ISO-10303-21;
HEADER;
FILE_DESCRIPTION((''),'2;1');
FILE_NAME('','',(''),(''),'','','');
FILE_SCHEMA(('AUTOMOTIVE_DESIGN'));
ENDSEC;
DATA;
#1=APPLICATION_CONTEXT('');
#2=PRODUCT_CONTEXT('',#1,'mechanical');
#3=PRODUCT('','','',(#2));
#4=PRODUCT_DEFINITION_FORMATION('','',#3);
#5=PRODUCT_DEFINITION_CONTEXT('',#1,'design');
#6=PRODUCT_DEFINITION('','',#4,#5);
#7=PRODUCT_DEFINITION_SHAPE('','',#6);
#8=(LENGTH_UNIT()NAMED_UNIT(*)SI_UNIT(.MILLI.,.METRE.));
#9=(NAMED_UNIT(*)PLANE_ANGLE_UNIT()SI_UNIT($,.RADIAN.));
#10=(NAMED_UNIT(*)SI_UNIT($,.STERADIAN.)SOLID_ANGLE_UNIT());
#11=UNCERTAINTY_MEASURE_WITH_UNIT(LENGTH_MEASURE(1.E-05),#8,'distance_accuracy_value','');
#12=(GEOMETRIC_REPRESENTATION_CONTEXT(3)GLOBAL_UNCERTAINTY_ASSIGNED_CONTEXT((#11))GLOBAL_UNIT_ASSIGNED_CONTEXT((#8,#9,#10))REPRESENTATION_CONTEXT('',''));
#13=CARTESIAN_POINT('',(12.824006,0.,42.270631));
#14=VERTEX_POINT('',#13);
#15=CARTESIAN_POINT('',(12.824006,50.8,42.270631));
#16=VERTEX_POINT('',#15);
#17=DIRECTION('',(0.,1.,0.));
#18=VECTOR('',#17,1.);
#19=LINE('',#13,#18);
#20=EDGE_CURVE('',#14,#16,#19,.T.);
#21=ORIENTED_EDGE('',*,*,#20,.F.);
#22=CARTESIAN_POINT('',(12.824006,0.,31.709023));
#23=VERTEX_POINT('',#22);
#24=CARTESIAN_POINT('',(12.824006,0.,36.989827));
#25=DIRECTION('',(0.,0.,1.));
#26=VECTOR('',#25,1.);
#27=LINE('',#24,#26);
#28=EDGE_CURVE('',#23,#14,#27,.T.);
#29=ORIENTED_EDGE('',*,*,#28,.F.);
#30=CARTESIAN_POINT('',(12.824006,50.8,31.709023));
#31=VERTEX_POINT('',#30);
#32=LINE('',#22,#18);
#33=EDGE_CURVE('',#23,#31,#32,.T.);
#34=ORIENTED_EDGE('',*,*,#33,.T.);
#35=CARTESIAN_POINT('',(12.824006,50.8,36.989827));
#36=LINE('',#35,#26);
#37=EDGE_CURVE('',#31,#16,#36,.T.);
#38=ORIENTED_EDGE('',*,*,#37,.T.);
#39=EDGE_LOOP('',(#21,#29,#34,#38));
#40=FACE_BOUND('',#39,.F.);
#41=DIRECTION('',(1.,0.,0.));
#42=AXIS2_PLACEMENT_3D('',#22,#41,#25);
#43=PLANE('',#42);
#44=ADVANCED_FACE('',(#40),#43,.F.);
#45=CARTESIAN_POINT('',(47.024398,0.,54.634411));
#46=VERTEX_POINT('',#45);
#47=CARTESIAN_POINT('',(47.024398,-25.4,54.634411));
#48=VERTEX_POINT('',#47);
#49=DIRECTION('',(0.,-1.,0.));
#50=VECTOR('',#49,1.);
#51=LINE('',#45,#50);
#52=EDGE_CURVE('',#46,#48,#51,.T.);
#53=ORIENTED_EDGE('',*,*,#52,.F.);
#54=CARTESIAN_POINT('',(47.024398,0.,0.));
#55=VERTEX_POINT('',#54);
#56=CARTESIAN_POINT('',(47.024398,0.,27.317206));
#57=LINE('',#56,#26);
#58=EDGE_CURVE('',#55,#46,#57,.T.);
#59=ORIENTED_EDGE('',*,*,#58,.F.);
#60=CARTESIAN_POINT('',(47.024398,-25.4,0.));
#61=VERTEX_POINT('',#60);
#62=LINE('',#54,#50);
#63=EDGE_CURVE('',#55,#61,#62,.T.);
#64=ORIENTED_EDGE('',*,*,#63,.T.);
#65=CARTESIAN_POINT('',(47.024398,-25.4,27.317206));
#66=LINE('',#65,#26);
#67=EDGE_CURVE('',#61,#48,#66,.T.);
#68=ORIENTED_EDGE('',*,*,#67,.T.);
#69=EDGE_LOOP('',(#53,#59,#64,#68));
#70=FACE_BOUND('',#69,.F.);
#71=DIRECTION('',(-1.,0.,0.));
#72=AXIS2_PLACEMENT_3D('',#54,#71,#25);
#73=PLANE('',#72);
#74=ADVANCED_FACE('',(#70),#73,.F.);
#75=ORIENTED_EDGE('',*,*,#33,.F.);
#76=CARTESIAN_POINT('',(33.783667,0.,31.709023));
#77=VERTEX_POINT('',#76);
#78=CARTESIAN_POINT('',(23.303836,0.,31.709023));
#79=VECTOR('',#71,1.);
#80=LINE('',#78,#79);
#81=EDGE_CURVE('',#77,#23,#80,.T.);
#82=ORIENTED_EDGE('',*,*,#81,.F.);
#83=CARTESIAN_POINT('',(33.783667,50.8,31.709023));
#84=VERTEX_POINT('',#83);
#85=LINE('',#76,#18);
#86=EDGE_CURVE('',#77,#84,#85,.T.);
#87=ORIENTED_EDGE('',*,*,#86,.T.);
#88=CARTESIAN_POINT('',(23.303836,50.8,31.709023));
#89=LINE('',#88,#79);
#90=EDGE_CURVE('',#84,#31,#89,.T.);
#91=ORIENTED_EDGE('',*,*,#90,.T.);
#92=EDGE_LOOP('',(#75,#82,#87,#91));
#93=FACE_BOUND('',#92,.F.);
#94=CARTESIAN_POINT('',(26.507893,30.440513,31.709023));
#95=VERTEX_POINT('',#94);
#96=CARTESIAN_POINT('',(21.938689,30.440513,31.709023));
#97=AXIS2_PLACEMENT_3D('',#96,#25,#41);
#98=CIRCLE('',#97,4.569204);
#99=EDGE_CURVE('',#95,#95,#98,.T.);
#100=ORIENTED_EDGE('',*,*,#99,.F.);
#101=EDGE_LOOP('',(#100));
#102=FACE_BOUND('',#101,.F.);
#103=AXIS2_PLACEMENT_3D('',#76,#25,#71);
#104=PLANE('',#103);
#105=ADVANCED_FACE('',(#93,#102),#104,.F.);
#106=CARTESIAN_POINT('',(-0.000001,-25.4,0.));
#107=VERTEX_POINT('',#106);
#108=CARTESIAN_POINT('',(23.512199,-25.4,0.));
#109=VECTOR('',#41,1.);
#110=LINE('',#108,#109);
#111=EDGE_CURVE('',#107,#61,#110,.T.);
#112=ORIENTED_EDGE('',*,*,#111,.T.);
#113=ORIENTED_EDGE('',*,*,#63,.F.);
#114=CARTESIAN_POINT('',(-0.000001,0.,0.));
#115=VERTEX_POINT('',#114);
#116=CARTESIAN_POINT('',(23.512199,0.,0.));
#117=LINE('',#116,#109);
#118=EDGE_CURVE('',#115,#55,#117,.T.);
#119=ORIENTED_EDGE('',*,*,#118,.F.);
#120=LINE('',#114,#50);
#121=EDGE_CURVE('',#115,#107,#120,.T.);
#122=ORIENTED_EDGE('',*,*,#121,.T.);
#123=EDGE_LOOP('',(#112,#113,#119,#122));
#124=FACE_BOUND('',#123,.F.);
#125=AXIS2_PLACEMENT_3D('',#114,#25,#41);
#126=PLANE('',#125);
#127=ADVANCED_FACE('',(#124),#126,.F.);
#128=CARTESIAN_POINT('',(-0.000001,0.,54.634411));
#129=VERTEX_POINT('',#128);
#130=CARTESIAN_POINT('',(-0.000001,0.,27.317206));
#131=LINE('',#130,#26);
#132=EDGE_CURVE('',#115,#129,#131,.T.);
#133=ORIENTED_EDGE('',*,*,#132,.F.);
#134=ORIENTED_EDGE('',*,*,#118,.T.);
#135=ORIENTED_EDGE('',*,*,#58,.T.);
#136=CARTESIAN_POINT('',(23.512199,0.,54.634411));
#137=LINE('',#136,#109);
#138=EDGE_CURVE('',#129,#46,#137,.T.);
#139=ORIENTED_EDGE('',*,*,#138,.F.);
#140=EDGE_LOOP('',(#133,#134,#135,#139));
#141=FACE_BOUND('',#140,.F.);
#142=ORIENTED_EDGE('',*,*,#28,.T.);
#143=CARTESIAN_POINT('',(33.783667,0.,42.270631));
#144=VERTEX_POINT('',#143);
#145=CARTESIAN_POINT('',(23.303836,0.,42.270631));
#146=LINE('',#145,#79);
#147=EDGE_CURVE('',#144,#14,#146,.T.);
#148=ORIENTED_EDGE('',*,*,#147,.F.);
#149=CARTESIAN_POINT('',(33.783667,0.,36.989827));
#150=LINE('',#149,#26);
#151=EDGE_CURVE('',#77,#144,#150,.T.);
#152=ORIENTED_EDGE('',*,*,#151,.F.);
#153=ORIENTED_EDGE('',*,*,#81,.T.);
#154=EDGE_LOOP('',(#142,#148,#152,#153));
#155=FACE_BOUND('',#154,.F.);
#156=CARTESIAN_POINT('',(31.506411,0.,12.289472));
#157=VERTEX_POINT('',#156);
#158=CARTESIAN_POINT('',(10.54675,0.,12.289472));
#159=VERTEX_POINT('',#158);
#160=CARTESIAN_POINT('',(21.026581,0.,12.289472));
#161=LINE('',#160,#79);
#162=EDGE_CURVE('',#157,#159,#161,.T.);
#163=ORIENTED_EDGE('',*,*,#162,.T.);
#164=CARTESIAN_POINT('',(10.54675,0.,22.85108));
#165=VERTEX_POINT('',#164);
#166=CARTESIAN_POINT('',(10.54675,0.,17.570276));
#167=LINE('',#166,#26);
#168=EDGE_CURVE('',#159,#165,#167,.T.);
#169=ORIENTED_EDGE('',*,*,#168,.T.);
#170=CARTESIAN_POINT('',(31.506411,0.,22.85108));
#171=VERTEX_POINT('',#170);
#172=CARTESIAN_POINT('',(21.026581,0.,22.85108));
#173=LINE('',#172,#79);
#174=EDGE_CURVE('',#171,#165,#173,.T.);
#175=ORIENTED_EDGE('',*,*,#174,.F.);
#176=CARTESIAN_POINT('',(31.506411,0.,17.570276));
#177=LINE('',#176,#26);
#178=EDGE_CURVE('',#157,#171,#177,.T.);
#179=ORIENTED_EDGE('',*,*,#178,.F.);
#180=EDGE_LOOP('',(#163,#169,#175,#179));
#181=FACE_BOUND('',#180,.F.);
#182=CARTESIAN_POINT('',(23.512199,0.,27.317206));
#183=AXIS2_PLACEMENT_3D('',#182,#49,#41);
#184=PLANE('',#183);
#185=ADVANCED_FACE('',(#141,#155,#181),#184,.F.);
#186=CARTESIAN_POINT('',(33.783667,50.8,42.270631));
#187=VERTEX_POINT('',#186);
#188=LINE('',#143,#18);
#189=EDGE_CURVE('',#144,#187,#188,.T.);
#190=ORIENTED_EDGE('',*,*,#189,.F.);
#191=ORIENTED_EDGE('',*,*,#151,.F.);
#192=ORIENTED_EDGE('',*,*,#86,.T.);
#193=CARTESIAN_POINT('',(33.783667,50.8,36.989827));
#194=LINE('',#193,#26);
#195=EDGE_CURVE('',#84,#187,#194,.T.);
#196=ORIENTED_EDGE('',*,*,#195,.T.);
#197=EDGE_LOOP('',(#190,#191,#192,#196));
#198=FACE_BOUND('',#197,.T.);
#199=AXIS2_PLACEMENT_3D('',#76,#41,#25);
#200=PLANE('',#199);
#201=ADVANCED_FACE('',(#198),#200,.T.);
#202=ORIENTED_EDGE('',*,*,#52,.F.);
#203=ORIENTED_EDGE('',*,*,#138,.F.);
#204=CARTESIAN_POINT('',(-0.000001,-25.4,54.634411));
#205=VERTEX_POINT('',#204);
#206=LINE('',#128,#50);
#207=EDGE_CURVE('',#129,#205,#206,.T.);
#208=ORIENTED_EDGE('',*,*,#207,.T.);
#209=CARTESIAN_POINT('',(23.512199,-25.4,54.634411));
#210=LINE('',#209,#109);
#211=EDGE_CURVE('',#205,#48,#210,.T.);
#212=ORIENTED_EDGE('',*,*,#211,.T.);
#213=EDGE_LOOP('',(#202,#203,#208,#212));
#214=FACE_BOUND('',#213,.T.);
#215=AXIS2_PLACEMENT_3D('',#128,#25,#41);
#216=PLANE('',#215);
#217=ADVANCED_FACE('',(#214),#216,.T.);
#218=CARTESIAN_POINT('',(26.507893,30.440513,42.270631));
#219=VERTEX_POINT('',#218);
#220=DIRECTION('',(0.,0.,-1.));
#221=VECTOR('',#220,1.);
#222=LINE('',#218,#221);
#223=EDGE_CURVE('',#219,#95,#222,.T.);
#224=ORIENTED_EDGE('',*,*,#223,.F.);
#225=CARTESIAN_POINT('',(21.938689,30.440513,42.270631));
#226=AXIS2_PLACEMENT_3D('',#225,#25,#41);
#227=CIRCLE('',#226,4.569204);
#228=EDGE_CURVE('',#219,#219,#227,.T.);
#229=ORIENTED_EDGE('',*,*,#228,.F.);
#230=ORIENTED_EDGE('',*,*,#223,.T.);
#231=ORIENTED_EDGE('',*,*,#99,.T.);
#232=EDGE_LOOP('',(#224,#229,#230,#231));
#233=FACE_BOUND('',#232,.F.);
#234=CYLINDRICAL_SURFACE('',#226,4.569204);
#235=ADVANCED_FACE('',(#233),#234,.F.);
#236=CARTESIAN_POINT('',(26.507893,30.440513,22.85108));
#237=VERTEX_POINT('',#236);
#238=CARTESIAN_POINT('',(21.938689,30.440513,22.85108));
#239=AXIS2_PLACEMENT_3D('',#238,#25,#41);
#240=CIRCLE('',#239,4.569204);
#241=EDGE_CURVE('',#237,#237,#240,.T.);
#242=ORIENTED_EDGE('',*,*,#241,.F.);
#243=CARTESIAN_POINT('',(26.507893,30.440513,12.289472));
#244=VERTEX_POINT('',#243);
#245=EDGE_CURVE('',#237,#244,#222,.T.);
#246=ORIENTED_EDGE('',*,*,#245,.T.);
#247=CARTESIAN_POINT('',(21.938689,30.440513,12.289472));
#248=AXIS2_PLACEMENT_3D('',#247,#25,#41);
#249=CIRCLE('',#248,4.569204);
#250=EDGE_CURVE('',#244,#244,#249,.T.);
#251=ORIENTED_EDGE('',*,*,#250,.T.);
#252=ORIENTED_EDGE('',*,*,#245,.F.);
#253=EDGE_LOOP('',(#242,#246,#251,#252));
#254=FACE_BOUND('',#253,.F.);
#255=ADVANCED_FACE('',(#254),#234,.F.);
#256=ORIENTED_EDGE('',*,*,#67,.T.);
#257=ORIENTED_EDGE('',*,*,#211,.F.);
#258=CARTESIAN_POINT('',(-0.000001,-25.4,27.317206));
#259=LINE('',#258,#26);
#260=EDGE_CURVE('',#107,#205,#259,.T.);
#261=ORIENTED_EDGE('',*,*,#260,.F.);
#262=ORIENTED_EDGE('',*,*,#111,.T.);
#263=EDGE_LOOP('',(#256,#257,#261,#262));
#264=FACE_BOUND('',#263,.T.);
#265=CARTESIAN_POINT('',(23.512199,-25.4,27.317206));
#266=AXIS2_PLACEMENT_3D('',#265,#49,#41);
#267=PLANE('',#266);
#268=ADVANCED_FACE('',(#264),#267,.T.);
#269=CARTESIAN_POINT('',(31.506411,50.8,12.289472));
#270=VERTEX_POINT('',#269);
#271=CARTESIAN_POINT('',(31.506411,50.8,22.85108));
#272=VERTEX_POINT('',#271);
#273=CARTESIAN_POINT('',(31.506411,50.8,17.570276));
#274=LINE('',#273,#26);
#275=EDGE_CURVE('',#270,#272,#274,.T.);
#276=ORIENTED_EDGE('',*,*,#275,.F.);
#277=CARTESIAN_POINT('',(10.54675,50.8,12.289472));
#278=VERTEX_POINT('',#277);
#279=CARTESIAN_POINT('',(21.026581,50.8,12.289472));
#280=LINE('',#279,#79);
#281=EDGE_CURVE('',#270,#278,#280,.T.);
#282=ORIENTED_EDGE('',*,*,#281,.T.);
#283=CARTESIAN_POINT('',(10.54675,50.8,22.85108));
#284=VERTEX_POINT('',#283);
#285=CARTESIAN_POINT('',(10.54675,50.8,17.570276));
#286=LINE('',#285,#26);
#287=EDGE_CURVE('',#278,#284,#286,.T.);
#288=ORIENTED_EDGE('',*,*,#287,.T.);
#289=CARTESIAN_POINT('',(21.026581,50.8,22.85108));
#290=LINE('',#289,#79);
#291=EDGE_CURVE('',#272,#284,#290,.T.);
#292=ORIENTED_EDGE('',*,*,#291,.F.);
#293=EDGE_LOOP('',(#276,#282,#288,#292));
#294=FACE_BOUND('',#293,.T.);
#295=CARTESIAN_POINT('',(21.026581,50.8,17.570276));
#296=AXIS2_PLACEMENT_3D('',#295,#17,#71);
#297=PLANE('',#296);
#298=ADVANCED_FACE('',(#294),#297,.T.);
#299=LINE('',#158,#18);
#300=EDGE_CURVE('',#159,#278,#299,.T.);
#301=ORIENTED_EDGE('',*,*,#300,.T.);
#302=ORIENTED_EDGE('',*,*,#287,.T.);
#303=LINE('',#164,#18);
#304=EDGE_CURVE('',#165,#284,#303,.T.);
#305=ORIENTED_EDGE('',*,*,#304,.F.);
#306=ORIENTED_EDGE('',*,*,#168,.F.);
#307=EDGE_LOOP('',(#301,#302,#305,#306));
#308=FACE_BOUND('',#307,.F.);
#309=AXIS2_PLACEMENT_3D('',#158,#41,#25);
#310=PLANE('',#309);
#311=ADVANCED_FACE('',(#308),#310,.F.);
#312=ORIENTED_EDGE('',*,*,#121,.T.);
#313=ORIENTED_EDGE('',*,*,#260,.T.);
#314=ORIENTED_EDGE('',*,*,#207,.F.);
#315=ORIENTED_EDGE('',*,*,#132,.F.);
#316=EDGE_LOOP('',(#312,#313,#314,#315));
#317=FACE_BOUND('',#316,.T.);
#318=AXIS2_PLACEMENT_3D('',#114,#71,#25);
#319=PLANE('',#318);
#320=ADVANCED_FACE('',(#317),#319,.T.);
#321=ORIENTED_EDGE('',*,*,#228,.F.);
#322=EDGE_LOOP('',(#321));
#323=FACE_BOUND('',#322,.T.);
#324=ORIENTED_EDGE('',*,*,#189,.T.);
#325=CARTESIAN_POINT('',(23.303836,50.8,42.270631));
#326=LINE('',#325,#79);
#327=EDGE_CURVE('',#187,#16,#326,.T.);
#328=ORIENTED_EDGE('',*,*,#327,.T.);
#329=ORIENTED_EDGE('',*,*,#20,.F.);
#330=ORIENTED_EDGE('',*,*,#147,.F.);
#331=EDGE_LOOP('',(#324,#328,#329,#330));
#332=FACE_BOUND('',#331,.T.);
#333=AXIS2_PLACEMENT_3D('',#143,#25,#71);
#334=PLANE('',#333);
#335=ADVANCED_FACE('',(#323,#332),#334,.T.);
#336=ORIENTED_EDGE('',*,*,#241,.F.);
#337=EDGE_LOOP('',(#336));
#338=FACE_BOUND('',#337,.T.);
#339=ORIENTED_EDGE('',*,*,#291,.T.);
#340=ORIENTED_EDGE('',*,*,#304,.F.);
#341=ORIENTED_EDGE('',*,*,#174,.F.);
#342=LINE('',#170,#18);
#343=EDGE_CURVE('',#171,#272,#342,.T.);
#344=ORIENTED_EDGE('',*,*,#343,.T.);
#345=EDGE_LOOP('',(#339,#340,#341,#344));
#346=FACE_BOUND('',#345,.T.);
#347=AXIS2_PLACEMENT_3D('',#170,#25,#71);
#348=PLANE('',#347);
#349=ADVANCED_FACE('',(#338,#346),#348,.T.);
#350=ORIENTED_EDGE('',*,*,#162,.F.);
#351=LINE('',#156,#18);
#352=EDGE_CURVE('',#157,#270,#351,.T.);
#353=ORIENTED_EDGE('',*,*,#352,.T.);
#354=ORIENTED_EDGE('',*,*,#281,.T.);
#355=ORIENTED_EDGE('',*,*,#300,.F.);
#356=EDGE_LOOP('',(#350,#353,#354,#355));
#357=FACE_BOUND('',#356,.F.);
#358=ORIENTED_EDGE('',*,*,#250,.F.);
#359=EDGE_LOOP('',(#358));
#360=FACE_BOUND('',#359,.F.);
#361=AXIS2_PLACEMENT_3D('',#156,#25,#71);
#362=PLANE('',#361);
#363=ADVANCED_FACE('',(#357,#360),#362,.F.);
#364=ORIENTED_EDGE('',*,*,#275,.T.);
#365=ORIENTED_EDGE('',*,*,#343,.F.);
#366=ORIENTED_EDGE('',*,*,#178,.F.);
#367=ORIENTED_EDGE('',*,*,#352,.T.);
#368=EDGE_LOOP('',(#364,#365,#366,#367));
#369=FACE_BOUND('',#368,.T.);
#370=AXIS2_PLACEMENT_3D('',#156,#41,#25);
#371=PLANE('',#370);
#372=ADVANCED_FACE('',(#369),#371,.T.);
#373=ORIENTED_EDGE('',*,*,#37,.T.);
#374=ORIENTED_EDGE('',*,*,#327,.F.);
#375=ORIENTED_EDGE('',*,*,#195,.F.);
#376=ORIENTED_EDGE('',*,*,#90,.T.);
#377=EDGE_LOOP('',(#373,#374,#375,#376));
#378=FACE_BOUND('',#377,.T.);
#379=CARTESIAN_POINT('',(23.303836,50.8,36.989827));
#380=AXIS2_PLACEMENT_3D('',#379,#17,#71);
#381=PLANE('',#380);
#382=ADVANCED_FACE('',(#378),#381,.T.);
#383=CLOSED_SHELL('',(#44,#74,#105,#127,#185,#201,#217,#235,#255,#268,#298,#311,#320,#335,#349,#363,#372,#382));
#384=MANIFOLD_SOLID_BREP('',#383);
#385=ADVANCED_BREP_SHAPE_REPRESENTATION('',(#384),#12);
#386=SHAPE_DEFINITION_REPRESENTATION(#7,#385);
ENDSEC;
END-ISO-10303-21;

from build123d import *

# Parameters (mm, degrees)
F0_W     = 47.024399
F0_H     = 54.634411
F1_DEPTH = 25.4
F2_W     = 20.959661
F2_H     = 10.561608
F3_DEPTH = 50.8
F4_R     = 4.569204
F5_DEPTH = 42.271631


with BuildPart() as f1:
    # F0 (on Front) → F1 (new body)
    with BuildSketch(Plane.XZ):
        with Locations((23.512199, 27.317206)):
            Rectangle(F0_W, F0_H)
    extrude(amount=F1_DEPTH)

    # F2 (on face) → F3 (join)
    with BuildSketch(Plane(origin=(0, 0, 0), x_dir=(-1, 0, 0), z_dir=(0, 1, 0))):
        with Locations((-23.303836, 36.989827)):
            Rectangle(F2_W, F2_H)
        with Locations((-21.026581, 17.570276)):
            Rectangle(F2_W, F2_H)
    extrude(amount=F3_DEPTH)

    # F4 (on face) → F5 (cut, through all)
    with BuildSketch(Plane.XY.offset(42.270631)):
        with Locations((21.938689, 30.440513)):
            Circle(F4_R)
    extrude(amount=-F5_DEPTH, mode=Mode.SUBTRACT)


solid = f1.part
